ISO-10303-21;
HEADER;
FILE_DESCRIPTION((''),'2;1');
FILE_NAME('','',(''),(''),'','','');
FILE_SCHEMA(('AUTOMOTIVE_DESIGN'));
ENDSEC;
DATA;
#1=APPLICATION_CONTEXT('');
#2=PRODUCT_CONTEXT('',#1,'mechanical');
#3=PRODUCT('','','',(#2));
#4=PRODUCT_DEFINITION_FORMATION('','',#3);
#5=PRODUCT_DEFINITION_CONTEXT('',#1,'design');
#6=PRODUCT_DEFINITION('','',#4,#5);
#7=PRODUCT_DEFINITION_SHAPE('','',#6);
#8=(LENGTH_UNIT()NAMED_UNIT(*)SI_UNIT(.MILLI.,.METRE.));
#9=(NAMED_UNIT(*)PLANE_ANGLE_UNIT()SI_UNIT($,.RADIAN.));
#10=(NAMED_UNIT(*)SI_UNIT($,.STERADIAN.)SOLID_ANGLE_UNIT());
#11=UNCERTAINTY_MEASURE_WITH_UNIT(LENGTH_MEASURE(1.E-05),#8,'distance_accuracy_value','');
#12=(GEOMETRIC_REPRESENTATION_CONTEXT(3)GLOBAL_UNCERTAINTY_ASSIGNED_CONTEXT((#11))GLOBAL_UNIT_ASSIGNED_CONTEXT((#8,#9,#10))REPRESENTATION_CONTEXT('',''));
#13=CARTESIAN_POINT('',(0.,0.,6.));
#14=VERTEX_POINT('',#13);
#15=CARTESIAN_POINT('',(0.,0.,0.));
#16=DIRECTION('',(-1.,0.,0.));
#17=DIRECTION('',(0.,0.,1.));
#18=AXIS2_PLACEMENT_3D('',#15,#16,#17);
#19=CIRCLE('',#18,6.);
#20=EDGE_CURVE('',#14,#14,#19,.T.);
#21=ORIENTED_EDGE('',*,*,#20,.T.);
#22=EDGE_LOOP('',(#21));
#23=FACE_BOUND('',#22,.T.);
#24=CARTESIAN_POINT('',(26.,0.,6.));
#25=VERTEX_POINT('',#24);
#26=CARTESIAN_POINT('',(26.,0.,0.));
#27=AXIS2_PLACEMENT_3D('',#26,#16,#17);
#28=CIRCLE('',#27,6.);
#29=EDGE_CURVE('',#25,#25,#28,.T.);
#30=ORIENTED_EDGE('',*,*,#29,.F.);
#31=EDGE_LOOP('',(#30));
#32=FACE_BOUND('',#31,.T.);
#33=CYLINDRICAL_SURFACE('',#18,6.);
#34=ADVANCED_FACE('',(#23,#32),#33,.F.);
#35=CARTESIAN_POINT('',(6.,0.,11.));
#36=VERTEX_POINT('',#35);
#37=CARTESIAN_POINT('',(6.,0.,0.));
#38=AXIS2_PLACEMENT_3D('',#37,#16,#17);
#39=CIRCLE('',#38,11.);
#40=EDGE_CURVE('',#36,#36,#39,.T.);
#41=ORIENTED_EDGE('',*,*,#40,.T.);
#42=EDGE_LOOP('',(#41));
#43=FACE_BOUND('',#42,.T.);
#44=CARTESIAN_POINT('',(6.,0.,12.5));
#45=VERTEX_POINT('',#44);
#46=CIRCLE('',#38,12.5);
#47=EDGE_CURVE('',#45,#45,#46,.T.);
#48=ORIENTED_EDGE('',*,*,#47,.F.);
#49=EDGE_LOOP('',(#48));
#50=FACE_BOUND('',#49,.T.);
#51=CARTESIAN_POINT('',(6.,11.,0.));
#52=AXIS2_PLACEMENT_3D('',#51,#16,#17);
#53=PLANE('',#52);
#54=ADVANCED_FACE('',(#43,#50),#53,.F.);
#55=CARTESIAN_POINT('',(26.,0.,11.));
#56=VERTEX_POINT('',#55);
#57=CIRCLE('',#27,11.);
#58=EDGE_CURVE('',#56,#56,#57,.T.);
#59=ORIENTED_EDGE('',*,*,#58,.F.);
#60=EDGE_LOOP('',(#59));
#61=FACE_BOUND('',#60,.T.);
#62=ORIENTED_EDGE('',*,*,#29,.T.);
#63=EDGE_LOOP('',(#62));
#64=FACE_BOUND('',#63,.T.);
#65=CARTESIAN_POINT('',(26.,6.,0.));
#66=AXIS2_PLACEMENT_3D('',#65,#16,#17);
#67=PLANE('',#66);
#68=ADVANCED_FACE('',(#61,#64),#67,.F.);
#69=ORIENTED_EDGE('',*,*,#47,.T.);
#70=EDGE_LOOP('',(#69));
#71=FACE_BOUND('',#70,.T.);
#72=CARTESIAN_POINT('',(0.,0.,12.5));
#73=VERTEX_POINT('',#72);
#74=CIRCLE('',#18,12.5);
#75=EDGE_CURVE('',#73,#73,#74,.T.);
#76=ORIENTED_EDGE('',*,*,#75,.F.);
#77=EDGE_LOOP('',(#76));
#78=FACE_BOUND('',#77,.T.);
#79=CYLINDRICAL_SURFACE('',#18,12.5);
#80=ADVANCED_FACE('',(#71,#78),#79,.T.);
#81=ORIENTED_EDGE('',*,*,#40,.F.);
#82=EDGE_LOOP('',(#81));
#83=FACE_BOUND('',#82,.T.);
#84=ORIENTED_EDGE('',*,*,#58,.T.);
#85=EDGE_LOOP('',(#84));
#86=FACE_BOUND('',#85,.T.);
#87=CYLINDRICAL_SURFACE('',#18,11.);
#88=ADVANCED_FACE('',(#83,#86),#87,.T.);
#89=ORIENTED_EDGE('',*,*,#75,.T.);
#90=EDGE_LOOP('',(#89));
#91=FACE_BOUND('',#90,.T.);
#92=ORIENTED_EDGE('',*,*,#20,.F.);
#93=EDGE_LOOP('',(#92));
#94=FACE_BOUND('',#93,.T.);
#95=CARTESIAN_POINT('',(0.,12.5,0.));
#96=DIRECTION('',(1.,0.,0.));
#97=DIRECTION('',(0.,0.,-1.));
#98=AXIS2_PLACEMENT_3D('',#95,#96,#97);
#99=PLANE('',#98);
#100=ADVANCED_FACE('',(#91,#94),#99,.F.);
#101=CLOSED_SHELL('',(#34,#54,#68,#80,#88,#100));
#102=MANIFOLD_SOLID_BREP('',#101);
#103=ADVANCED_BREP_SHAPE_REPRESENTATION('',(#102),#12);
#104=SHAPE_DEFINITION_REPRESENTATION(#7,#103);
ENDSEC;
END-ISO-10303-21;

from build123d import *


with BuildPart() as part:
    # Эскиз1 → Повернуть1 (revolve)
    with BuildSketch(Plane.XY):
        Polygon((0, 12.5), (0, 6), (26, 6), (26, 11), (6, 11), (6, 12.5), align=None)
    revolve(axis=Axis((0, 0, 0), (1, 0, 0)))


solid = part.part
